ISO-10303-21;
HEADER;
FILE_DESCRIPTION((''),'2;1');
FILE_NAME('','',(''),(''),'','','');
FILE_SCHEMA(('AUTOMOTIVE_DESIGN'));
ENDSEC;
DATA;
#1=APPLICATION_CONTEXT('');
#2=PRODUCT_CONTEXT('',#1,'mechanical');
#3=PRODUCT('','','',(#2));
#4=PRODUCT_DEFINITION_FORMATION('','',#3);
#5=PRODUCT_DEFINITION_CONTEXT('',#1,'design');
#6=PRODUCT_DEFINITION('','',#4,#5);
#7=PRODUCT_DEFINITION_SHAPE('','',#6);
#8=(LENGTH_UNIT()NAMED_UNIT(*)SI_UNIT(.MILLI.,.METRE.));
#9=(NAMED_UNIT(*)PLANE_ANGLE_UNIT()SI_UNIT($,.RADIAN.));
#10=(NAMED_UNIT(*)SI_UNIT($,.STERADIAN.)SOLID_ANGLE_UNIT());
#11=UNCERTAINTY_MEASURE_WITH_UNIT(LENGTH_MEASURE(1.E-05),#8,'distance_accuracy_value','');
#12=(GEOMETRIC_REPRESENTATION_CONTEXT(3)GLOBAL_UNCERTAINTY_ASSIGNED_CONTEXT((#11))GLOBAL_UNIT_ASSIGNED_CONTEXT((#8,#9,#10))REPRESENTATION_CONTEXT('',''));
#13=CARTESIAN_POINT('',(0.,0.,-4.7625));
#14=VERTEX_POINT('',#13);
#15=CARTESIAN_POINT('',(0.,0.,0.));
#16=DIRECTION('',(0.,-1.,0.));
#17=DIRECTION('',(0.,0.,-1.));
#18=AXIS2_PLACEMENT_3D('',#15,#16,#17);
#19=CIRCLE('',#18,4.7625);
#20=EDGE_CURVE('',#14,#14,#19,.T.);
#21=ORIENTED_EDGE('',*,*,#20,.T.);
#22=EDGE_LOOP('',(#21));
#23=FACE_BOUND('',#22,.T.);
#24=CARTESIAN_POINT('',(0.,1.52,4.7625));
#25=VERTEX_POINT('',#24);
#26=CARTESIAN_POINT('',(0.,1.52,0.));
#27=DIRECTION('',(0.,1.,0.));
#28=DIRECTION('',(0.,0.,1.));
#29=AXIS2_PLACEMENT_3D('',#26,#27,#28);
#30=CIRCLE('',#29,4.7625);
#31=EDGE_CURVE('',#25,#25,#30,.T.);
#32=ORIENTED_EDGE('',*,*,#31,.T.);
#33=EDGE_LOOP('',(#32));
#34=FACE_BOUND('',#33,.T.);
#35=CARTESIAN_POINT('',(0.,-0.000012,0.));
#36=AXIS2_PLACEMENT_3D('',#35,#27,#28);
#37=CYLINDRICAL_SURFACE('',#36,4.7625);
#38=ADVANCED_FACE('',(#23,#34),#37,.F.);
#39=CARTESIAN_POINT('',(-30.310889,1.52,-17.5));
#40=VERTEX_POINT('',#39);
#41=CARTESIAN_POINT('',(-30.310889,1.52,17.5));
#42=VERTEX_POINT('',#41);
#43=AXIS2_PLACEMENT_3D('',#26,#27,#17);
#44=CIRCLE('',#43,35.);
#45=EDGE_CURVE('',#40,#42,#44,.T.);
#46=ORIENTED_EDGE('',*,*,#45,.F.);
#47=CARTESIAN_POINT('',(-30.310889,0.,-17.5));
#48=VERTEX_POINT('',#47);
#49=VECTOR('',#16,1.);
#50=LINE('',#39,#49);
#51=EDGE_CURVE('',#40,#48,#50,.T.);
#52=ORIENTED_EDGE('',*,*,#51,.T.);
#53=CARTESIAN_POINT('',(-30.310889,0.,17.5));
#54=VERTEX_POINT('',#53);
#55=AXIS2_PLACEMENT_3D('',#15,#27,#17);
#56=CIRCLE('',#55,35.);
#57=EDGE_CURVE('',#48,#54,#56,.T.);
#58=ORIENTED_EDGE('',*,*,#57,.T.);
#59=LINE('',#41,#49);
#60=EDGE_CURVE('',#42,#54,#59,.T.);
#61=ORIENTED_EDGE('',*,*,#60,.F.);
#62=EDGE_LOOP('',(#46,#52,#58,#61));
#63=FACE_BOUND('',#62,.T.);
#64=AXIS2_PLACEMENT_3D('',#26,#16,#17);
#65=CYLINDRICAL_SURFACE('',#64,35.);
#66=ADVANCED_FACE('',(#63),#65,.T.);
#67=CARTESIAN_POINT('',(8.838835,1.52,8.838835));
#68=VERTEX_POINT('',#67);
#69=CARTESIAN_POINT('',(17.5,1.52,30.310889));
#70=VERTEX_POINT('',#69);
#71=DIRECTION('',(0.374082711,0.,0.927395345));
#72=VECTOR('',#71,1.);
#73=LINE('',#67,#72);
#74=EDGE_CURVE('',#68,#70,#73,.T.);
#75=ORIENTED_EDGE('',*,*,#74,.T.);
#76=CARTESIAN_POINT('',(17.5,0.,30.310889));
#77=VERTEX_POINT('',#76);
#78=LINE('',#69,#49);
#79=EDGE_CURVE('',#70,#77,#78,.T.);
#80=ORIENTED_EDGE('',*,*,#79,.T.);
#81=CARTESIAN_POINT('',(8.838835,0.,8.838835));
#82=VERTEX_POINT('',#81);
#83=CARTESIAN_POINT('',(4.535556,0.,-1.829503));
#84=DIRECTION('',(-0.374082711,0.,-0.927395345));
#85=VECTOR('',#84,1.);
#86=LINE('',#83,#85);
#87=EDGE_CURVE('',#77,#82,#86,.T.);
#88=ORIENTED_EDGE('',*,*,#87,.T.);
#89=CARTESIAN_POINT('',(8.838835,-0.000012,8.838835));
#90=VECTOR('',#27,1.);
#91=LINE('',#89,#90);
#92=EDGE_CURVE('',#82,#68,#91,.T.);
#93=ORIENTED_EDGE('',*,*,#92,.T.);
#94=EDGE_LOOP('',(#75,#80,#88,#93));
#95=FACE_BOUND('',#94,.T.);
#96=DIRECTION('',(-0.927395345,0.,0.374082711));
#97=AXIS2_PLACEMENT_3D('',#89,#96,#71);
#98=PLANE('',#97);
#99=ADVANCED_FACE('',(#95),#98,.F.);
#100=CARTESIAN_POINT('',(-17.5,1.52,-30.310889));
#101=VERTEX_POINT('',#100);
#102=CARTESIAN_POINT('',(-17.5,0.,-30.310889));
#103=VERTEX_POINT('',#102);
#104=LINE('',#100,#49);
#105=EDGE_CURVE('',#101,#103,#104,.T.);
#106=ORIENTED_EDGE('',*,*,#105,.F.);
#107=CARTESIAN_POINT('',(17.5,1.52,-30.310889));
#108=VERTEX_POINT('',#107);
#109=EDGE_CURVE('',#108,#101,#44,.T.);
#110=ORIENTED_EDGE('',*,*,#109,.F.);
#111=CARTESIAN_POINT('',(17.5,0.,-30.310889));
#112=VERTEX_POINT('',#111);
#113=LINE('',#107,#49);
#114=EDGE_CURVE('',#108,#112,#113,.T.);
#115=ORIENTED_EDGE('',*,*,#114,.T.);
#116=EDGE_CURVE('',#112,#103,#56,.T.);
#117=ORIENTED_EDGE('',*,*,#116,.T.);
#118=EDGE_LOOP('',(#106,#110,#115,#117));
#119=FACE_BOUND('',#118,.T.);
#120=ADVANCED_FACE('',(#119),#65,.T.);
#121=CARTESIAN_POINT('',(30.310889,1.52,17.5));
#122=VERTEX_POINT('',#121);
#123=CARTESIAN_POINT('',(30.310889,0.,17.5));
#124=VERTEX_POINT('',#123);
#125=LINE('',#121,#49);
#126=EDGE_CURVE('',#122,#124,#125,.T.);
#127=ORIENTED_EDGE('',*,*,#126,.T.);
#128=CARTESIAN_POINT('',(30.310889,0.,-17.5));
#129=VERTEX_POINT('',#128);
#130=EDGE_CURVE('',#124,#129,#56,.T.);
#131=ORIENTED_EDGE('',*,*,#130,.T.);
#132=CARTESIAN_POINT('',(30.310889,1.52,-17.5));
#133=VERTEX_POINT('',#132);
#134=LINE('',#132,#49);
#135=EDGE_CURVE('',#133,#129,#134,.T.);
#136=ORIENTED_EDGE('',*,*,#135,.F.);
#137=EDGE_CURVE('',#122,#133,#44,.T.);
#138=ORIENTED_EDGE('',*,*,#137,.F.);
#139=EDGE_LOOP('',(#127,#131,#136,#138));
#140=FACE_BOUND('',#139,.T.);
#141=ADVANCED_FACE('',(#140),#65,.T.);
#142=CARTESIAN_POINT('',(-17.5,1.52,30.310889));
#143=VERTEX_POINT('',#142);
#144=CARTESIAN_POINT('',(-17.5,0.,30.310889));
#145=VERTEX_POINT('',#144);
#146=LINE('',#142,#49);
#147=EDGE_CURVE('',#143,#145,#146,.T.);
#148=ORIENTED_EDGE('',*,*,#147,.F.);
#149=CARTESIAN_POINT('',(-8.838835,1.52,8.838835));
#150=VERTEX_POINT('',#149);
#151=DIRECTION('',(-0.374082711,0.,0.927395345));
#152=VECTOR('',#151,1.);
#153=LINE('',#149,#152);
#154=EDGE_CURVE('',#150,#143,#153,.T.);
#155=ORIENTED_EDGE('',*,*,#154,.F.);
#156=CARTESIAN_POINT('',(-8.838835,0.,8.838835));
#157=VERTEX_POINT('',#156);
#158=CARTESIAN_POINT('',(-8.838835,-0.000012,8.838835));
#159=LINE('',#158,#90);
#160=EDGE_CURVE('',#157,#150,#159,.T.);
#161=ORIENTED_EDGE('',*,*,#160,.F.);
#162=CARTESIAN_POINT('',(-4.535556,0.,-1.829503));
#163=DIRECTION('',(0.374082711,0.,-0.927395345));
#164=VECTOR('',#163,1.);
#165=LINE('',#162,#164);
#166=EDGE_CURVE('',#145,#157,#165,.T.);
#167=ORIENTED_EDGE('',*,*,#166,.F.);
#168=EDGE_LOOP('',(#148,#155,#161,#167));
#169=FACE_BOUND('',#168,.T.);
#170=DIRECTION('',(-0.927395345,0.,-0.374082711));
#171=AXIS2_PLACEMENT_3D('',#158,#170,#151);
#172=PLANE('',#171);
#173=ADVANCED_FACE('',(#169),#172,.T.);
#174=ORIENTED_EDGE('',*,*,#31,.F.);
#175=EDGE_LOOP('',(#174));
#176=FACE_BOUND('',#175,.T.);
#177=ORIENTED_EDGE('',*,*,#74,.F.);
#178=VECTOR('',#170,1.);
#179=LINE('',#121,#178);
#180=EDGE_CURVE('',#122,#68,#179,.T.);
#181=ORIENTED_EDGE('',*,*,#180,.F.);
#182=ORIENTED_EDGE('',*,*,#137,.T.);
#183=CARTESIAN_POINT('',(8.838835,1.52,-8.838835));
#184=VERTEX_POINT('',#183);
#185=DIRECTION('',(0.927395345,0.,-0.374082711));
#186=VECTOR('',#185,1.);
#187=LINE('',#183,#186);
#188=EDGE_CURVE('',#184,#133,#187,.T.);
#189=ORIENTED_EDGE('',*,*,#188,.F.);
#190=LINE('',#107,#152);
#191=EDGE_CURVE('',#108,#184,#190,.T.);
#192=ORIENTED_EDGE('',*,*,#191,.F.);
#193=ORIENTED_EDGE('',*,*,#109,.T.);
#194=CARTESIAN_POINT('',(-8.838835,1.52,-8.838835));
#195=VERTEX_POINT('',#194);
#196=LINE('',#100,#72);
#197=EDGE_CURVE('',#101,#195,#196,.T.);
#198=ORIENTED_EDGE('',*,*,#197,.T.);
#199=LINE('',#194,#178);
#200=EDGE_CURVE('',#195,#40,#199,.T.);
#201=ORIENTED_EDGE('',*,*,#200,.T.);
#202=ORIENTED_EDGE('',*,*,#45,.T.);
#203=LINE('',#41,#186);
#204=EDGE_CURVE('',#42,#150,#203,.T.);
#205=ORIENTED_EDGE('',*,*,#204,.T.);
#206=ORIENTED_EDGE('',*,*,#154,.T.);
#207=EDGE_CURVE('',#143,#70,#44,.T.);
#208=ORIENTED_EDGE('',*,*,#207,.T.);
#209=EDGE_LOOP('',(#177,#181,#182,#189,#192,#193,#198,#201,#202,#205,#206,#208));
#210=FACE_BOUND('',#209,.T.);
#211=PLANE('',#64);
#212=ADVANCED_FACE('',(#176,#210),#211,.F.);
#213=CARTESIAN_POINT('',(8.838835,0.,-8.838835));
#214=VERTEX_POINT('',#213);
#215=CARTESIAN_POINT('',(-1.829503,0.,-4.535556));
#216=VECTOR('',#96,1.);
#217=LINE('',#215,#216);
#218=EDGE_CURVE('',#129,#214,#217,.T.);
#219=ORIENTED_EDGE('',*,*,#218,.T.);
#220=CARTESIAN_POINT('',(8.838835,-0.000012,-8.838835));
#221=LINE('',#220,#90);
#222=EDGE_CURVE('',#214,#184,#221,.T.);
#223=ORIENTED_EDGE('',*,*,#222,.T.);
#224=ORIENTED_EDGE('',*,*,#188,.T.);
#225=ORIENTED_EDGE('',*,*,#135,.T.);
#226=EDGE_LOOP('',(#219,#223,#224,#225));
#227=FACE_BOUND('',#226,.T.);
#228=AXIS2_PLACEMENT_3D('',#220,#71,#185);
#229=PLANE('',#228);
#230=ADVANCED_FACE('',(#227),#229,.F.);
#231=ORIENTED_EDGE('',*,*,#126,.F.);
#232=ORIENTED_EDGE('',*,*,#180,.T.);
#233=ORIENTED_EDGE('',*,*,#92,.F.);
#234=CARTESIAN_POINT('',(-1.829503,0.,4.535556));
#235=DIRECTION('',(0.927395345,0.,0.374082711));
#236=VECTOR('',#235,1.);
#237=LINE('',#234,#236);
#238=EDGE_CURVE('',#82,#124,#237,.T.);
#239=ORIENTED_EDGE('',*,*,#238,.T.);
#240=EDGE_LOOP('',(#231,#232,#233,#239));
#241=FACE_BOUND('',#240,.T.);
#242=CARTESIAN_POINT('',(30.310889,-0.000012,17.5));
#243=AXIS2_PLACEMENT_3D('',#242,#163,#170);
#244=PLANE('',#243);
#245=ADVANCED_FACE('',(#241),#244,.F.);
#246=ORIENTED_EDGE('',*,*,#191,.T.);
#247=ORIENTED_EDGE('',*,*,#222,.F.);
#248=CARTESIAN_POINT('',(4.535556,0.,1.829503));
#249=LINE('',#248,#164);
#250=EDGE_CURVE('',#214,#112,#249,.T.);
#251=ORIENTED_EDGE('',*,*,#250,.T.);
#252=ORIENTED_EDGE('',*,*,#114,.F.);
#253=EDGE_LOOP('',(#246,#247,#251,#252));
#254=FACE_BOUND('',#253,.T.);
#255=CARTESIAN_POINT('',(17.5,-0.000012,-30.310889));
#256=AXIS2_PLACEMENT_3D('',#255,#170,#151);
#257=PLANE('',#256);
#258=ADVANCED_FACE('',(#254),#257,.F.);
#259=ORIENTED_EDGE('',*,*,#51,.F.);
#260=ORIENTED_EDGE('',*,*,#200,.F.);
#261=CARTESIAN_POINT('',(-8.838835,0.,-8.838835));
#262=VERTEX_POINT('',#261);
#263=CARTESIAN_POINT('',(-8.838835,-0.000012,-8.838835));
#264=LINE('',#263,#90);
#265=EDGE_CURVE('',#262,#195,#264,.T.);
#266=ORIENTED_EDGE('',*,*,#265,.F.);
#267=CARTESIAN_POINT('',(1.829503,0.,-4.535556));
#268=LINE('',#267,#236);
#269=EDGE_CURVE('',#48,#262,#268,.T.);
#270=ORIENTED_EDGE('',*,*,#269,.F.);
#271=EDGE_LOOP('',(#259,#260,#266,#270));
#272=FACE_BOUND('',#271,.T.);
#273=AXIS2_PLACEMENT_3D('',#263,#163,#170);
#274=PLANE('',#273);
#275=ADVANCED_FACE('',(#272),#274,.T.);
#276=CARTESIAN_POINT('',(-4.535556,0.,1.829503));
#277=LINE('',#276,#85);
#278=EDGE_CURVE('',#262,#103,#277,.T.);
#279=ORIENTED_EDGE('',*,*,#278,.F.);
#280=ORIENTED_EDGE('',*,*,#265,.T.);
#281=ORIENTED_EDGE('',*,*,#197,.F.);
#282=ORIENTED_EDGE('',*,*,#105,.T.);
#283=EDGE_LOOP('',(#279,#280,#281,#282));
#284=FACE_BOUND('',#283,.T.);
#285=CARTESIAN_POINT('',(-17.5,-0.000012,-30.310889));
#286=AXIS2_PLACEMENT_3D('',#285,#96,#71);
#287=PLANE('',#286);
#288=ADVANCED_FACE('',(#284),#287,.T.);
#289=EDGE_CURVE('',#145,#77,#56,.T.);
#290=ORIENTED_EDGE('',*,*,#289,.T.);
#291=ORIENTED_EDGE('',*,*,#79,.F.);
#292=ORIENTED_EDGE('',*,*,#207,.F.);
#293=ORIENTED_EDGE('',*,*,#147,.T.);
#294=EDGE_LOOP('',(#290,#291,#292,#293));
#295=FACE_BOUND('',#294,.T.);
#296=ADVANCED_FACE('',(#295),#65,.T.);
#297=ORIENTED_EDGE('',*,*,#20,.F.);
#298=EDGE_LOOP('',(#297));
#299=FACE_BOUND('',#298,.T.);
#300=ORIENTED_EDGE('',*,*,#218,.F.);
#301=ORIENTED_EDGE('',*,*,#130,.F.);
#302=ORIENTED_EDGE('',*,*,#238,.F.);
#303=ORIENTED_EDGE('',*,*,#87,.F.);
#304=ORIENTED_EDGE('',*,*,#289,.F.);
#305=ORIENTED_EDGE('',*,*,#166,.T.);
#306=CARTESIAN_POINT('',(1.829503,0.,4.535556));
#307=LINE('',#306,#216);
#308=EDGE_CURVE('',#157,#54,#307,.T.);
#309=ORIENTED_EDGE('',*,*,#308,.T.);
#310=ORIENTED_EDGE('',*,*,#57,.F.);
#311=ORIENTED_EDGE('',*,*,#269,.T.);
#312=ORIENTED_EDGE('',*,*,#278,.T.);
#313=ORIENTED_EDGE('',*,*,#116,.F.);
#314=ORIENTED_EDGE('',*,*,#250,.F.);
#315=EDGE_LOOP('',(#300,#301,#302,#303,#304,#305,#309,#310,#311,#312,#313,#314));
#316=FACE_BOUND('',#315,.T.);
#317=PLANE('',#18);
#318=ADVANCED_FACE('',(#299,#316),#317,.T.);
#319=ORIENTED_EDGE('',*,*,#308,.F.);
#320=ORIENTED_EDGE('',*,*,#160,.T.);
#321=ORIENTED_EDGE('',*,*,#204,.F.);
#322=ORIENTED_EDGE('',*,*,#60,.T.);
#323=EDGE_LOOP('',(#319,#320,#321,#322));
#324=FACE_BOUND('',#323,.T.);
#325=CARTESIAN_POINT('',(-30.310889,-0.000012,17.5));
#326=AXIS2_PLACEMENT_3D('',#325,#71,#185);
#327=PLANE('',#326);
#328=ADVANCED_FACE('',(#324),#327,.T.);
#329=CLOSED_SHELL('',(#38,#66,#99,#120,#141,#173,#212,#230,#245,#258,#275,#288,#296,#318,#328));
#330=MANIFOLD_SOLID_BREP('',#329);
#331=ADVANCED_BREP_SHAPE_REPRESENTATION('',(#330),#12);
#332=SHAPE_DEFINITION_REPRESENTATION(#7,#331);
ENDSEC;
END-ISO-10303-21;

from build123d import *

# Parameters (mm, degrees)
BOSS_EXTRUDE1_DEPTH     = 1.52
SKETCH2_R               = 4.7625
CUT_EXTRUDE5_DEPTH      = 2.52
CUT_EXTRUDE5_DEPTH_BACK = 1


with BuildPart() as part:
    # Sketch1 → Boss-Extrude1 (new body)
    with BuildSketch(Plane(origin=(0, 0, 0), x_dir=(1, 0, 0), z_dir=(0, 1, 0))):
        with BuildLine():
            Line((-17.5, 30.310889132), (-17.5, 17.5))
            Line((-17.5, 17.5), (-30.310889132, 17.5))
            ThreePointArc((-30.310889132, 17.5), (-35, 0), (-30.310889132, -17.5))
            Line((-30.310889132, -17.5), (-17.5, -17.5))
            Line((-17.5, -17.5), (-17.5, -30.310889132))
            ThreePointArc((-17.5, -30.310889132), (0, -35), (17.5, -30.310889132))
            Line((17.5, -30.310889132), (17.5, -17.5))
            Line((17.5, -17.5), (30.310889132, -17.5))
            ThreePointArc((30.310889132, -17.5), (35, 0), (30.310889132, 17.5))
            Line((30.310889132, 17.5), (17.5, 17.5))
            Line((17.5, 17.5), (17.5, 30.310889132))
            ThreePointArc((17.5, 30.310889132), (0, 35), (-17.5, 30.310889132))
        make_face()
    extrude(amount=BOSS_EXTRUDE1_DEPTH)

    # Sketch2 → Cut-Extrude5 (cut, two sides)
    with BuildSketch(Plane(origin=(0, 0, 0), x_dir=(1, 0, 0), z_dir=(0, 1, 0))) as cut_extrude5_sk:
        Circle(SKETCH2_R)
        Polygon((-30.310889132, 17.5), (-17.5, 30.310889132), (-8.838834765, 8.838834765), align=None)
        Polygon((17.5, 30.310889132), (30.310889132, 17.5), (8.838834765, 8.838834765), align=None)
        Polygon((30.310889132, -17.5), (17.5, -30.310889132), (8.838834765, -8.838834765), align=None)
        Polygon((-30.310889132, -17.5), (-17.5, -30.310889132), (-8.838834765, -8.838834765), align=None)
    extrude(amount=CUT_EXTRUDE5_DEPTH, mode=Mode.SUBTRACT)
    extrude(cut_extrude5_sk.sketch, amount=-CUT_EXTRUDE5_DEPTH_BACK, mode=Mode.SUBTRACT)


solid = part.part
